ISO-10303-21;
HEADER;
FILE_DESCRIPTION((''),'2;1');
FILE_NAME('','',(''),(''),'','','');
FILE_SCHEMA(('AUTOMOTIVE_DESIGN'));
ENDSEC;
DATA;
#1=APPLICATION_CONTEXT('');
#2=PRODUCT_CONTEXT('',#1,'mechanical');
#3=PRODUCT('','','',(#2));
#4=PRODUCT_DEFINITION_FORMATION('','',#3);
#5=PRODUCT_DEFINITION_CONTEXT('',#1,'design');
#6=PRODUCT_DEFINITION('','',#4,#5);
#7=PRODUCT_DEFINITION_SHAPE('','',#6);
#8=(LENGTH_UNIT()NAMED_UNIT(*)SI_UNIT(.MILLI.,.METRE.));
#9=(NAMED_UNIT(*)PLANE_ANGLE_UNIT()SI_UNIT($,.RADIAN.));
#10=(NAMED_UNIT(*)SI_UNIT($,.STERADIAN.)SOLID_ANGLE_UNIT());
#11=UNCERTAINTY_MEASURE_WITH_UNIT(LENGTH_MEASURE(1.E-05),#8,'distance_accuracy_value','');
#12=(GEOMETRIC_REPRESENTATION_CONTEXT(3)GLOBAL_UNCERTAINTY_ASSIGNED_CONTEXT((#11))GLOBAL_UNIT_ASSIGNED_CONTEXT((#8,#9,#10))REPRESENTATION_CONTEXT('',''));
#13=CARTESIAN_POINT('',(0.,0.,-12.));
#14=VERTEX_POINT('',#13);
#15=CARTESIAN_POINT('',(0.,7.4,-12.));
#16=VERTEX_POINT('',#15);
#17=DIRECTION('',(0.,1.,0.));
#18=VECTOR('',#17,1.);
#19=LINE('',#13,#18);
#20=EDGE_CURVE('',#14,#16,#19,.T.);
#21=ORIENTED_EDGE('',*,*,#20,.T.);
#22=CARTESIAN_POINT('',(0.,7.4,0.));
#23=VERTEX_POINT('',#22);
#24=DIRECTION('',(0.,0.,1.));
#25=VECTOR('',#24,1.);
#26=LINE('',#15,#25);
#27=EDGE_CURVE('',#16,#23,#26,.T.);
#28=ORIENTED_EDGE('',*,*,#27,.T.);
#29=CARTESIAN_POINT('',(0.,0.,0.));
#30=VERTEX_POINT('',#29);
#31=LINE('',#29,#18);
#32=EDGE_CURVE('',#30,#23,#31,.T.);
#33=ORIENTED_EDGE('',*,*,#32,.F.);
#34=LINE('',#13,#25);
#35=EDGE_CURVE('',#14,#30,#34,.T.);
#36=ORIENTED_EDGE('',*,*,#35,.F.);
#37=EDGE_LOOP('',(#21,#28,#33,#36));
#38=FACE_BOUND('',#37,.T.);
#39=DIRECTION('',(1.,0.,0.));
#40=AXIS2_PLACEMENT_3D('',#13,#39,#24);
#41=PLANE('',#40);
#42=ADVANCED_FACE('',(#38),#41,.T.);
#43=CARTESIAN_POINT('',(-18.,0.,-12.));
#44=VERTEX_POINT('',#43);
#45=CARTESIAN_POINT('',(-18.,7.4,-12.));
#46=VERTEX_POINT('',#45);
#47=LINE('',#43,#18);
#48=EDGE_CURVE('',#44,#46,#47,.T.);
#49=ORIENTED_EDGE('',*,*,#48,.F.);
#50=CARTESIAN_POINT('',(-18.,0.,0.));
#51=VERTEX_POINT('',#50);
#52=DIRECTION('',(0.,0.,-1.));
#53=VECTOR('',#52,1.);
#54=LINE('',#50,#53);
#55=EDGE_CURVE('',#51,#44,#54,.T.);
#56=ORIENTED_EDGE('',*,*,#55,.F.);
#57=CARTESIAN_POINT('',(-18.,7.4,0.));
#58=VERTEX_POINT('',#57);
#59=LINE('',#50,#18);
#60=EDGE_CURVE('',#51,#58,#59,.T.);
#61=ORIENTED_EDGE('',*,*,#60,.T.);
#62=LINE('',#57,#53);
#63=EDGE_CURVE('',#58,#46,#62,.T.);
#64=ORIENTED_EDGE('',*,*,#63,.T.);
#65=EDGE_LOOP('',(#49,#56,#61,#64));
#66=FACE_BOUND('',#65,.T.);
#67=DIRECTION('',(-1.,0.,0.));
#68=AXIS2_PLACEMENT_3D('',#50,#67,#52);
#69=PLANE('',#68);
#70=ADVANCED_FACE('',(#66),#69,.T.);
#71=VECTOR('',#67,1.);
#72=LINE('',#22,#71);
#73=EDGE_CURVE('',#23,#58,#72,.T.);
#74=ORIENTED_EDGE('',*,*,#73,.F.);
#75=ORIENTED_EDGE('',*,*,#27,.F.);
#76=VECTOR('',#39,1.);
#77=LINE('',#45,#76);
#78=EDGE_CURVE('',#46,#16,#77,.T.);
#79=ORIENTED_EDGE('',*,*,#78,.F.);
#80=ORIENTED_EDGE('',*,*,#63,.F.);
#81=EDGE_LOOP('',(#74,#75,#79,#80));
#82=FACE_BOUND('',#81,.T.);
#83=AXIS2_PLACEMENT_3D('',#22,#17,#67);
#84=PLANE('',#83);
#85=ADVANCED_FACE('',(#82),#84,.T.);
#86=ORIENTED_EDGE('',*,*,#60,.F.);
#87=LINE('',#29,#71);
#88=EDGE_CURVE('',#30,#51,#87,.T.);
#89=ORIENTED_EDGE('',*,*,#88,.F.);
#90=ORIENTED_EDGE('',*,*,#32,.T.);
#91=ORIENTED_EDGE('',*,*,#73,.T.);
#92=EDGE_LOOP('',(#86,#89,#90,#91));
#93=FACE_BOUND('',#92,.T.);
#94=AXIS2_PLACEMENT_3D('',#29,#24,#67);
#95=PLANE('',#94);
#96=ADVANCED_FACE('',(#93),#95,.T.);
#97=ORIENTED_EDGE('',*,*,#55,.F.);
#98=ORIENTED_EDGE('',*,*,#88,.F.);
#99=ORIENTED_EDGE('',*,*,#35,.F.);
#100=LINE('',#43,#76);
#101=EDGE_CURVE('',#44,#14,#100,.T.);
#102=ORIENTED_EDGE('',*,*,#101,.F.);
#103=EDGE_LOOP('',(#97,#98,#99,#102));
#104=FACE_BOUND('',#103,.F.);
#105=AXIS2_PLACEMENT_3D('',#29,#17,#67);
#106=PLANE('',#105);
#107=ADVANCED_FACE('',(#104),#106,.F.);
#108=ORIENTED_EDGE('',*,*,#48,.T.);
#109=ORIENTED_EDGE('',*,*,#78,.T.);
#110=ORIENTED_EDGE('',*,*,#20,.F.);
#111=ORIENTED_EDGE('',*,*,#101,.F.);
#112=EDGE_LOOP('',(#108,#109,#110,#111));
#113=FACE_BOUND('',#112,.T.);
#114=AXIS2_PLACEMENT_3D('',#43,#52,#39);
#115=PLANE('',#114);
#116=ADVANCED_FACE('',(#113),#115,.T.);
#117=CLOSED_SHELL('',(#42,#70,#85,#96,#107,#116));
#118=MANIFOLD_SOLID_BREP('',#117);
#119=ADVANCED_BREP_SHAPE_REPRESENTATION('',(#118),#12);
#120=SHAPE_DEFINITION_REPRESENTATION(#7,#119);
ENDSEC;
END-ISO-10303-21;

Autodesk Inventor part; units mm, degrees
ref_plane "YZ Plane" through (0, 0, 0) normal (1, 0, 0) x (0, 1, 0)
ref_plane "XZ Plane" through (0, 0, 0) normal (0, 1, 0) x (-1, 0, 0)
ref_plane "XY Plane" through (0, 0, 0) normal (0, 0, 1) x (1, 0, 0)
sketch "Sketch1" plane through (0, 0, 0) normal (0, 1, 0) x (-1, 0, 0)
  line L0 (0, 0) -> (18, 0)
  line L1 (18, 0) -> (18, -12)
  line L2 (18, -12) -> (0, -12)
  line L3 (0, -12) -> (0, 0)
  dimension "d0" = 18
  dimension "d1" = 12
extrude "Extrusion1" add sketch "Sketch1" along normal blind 7.4
properties part number "shim_7.5mm"
